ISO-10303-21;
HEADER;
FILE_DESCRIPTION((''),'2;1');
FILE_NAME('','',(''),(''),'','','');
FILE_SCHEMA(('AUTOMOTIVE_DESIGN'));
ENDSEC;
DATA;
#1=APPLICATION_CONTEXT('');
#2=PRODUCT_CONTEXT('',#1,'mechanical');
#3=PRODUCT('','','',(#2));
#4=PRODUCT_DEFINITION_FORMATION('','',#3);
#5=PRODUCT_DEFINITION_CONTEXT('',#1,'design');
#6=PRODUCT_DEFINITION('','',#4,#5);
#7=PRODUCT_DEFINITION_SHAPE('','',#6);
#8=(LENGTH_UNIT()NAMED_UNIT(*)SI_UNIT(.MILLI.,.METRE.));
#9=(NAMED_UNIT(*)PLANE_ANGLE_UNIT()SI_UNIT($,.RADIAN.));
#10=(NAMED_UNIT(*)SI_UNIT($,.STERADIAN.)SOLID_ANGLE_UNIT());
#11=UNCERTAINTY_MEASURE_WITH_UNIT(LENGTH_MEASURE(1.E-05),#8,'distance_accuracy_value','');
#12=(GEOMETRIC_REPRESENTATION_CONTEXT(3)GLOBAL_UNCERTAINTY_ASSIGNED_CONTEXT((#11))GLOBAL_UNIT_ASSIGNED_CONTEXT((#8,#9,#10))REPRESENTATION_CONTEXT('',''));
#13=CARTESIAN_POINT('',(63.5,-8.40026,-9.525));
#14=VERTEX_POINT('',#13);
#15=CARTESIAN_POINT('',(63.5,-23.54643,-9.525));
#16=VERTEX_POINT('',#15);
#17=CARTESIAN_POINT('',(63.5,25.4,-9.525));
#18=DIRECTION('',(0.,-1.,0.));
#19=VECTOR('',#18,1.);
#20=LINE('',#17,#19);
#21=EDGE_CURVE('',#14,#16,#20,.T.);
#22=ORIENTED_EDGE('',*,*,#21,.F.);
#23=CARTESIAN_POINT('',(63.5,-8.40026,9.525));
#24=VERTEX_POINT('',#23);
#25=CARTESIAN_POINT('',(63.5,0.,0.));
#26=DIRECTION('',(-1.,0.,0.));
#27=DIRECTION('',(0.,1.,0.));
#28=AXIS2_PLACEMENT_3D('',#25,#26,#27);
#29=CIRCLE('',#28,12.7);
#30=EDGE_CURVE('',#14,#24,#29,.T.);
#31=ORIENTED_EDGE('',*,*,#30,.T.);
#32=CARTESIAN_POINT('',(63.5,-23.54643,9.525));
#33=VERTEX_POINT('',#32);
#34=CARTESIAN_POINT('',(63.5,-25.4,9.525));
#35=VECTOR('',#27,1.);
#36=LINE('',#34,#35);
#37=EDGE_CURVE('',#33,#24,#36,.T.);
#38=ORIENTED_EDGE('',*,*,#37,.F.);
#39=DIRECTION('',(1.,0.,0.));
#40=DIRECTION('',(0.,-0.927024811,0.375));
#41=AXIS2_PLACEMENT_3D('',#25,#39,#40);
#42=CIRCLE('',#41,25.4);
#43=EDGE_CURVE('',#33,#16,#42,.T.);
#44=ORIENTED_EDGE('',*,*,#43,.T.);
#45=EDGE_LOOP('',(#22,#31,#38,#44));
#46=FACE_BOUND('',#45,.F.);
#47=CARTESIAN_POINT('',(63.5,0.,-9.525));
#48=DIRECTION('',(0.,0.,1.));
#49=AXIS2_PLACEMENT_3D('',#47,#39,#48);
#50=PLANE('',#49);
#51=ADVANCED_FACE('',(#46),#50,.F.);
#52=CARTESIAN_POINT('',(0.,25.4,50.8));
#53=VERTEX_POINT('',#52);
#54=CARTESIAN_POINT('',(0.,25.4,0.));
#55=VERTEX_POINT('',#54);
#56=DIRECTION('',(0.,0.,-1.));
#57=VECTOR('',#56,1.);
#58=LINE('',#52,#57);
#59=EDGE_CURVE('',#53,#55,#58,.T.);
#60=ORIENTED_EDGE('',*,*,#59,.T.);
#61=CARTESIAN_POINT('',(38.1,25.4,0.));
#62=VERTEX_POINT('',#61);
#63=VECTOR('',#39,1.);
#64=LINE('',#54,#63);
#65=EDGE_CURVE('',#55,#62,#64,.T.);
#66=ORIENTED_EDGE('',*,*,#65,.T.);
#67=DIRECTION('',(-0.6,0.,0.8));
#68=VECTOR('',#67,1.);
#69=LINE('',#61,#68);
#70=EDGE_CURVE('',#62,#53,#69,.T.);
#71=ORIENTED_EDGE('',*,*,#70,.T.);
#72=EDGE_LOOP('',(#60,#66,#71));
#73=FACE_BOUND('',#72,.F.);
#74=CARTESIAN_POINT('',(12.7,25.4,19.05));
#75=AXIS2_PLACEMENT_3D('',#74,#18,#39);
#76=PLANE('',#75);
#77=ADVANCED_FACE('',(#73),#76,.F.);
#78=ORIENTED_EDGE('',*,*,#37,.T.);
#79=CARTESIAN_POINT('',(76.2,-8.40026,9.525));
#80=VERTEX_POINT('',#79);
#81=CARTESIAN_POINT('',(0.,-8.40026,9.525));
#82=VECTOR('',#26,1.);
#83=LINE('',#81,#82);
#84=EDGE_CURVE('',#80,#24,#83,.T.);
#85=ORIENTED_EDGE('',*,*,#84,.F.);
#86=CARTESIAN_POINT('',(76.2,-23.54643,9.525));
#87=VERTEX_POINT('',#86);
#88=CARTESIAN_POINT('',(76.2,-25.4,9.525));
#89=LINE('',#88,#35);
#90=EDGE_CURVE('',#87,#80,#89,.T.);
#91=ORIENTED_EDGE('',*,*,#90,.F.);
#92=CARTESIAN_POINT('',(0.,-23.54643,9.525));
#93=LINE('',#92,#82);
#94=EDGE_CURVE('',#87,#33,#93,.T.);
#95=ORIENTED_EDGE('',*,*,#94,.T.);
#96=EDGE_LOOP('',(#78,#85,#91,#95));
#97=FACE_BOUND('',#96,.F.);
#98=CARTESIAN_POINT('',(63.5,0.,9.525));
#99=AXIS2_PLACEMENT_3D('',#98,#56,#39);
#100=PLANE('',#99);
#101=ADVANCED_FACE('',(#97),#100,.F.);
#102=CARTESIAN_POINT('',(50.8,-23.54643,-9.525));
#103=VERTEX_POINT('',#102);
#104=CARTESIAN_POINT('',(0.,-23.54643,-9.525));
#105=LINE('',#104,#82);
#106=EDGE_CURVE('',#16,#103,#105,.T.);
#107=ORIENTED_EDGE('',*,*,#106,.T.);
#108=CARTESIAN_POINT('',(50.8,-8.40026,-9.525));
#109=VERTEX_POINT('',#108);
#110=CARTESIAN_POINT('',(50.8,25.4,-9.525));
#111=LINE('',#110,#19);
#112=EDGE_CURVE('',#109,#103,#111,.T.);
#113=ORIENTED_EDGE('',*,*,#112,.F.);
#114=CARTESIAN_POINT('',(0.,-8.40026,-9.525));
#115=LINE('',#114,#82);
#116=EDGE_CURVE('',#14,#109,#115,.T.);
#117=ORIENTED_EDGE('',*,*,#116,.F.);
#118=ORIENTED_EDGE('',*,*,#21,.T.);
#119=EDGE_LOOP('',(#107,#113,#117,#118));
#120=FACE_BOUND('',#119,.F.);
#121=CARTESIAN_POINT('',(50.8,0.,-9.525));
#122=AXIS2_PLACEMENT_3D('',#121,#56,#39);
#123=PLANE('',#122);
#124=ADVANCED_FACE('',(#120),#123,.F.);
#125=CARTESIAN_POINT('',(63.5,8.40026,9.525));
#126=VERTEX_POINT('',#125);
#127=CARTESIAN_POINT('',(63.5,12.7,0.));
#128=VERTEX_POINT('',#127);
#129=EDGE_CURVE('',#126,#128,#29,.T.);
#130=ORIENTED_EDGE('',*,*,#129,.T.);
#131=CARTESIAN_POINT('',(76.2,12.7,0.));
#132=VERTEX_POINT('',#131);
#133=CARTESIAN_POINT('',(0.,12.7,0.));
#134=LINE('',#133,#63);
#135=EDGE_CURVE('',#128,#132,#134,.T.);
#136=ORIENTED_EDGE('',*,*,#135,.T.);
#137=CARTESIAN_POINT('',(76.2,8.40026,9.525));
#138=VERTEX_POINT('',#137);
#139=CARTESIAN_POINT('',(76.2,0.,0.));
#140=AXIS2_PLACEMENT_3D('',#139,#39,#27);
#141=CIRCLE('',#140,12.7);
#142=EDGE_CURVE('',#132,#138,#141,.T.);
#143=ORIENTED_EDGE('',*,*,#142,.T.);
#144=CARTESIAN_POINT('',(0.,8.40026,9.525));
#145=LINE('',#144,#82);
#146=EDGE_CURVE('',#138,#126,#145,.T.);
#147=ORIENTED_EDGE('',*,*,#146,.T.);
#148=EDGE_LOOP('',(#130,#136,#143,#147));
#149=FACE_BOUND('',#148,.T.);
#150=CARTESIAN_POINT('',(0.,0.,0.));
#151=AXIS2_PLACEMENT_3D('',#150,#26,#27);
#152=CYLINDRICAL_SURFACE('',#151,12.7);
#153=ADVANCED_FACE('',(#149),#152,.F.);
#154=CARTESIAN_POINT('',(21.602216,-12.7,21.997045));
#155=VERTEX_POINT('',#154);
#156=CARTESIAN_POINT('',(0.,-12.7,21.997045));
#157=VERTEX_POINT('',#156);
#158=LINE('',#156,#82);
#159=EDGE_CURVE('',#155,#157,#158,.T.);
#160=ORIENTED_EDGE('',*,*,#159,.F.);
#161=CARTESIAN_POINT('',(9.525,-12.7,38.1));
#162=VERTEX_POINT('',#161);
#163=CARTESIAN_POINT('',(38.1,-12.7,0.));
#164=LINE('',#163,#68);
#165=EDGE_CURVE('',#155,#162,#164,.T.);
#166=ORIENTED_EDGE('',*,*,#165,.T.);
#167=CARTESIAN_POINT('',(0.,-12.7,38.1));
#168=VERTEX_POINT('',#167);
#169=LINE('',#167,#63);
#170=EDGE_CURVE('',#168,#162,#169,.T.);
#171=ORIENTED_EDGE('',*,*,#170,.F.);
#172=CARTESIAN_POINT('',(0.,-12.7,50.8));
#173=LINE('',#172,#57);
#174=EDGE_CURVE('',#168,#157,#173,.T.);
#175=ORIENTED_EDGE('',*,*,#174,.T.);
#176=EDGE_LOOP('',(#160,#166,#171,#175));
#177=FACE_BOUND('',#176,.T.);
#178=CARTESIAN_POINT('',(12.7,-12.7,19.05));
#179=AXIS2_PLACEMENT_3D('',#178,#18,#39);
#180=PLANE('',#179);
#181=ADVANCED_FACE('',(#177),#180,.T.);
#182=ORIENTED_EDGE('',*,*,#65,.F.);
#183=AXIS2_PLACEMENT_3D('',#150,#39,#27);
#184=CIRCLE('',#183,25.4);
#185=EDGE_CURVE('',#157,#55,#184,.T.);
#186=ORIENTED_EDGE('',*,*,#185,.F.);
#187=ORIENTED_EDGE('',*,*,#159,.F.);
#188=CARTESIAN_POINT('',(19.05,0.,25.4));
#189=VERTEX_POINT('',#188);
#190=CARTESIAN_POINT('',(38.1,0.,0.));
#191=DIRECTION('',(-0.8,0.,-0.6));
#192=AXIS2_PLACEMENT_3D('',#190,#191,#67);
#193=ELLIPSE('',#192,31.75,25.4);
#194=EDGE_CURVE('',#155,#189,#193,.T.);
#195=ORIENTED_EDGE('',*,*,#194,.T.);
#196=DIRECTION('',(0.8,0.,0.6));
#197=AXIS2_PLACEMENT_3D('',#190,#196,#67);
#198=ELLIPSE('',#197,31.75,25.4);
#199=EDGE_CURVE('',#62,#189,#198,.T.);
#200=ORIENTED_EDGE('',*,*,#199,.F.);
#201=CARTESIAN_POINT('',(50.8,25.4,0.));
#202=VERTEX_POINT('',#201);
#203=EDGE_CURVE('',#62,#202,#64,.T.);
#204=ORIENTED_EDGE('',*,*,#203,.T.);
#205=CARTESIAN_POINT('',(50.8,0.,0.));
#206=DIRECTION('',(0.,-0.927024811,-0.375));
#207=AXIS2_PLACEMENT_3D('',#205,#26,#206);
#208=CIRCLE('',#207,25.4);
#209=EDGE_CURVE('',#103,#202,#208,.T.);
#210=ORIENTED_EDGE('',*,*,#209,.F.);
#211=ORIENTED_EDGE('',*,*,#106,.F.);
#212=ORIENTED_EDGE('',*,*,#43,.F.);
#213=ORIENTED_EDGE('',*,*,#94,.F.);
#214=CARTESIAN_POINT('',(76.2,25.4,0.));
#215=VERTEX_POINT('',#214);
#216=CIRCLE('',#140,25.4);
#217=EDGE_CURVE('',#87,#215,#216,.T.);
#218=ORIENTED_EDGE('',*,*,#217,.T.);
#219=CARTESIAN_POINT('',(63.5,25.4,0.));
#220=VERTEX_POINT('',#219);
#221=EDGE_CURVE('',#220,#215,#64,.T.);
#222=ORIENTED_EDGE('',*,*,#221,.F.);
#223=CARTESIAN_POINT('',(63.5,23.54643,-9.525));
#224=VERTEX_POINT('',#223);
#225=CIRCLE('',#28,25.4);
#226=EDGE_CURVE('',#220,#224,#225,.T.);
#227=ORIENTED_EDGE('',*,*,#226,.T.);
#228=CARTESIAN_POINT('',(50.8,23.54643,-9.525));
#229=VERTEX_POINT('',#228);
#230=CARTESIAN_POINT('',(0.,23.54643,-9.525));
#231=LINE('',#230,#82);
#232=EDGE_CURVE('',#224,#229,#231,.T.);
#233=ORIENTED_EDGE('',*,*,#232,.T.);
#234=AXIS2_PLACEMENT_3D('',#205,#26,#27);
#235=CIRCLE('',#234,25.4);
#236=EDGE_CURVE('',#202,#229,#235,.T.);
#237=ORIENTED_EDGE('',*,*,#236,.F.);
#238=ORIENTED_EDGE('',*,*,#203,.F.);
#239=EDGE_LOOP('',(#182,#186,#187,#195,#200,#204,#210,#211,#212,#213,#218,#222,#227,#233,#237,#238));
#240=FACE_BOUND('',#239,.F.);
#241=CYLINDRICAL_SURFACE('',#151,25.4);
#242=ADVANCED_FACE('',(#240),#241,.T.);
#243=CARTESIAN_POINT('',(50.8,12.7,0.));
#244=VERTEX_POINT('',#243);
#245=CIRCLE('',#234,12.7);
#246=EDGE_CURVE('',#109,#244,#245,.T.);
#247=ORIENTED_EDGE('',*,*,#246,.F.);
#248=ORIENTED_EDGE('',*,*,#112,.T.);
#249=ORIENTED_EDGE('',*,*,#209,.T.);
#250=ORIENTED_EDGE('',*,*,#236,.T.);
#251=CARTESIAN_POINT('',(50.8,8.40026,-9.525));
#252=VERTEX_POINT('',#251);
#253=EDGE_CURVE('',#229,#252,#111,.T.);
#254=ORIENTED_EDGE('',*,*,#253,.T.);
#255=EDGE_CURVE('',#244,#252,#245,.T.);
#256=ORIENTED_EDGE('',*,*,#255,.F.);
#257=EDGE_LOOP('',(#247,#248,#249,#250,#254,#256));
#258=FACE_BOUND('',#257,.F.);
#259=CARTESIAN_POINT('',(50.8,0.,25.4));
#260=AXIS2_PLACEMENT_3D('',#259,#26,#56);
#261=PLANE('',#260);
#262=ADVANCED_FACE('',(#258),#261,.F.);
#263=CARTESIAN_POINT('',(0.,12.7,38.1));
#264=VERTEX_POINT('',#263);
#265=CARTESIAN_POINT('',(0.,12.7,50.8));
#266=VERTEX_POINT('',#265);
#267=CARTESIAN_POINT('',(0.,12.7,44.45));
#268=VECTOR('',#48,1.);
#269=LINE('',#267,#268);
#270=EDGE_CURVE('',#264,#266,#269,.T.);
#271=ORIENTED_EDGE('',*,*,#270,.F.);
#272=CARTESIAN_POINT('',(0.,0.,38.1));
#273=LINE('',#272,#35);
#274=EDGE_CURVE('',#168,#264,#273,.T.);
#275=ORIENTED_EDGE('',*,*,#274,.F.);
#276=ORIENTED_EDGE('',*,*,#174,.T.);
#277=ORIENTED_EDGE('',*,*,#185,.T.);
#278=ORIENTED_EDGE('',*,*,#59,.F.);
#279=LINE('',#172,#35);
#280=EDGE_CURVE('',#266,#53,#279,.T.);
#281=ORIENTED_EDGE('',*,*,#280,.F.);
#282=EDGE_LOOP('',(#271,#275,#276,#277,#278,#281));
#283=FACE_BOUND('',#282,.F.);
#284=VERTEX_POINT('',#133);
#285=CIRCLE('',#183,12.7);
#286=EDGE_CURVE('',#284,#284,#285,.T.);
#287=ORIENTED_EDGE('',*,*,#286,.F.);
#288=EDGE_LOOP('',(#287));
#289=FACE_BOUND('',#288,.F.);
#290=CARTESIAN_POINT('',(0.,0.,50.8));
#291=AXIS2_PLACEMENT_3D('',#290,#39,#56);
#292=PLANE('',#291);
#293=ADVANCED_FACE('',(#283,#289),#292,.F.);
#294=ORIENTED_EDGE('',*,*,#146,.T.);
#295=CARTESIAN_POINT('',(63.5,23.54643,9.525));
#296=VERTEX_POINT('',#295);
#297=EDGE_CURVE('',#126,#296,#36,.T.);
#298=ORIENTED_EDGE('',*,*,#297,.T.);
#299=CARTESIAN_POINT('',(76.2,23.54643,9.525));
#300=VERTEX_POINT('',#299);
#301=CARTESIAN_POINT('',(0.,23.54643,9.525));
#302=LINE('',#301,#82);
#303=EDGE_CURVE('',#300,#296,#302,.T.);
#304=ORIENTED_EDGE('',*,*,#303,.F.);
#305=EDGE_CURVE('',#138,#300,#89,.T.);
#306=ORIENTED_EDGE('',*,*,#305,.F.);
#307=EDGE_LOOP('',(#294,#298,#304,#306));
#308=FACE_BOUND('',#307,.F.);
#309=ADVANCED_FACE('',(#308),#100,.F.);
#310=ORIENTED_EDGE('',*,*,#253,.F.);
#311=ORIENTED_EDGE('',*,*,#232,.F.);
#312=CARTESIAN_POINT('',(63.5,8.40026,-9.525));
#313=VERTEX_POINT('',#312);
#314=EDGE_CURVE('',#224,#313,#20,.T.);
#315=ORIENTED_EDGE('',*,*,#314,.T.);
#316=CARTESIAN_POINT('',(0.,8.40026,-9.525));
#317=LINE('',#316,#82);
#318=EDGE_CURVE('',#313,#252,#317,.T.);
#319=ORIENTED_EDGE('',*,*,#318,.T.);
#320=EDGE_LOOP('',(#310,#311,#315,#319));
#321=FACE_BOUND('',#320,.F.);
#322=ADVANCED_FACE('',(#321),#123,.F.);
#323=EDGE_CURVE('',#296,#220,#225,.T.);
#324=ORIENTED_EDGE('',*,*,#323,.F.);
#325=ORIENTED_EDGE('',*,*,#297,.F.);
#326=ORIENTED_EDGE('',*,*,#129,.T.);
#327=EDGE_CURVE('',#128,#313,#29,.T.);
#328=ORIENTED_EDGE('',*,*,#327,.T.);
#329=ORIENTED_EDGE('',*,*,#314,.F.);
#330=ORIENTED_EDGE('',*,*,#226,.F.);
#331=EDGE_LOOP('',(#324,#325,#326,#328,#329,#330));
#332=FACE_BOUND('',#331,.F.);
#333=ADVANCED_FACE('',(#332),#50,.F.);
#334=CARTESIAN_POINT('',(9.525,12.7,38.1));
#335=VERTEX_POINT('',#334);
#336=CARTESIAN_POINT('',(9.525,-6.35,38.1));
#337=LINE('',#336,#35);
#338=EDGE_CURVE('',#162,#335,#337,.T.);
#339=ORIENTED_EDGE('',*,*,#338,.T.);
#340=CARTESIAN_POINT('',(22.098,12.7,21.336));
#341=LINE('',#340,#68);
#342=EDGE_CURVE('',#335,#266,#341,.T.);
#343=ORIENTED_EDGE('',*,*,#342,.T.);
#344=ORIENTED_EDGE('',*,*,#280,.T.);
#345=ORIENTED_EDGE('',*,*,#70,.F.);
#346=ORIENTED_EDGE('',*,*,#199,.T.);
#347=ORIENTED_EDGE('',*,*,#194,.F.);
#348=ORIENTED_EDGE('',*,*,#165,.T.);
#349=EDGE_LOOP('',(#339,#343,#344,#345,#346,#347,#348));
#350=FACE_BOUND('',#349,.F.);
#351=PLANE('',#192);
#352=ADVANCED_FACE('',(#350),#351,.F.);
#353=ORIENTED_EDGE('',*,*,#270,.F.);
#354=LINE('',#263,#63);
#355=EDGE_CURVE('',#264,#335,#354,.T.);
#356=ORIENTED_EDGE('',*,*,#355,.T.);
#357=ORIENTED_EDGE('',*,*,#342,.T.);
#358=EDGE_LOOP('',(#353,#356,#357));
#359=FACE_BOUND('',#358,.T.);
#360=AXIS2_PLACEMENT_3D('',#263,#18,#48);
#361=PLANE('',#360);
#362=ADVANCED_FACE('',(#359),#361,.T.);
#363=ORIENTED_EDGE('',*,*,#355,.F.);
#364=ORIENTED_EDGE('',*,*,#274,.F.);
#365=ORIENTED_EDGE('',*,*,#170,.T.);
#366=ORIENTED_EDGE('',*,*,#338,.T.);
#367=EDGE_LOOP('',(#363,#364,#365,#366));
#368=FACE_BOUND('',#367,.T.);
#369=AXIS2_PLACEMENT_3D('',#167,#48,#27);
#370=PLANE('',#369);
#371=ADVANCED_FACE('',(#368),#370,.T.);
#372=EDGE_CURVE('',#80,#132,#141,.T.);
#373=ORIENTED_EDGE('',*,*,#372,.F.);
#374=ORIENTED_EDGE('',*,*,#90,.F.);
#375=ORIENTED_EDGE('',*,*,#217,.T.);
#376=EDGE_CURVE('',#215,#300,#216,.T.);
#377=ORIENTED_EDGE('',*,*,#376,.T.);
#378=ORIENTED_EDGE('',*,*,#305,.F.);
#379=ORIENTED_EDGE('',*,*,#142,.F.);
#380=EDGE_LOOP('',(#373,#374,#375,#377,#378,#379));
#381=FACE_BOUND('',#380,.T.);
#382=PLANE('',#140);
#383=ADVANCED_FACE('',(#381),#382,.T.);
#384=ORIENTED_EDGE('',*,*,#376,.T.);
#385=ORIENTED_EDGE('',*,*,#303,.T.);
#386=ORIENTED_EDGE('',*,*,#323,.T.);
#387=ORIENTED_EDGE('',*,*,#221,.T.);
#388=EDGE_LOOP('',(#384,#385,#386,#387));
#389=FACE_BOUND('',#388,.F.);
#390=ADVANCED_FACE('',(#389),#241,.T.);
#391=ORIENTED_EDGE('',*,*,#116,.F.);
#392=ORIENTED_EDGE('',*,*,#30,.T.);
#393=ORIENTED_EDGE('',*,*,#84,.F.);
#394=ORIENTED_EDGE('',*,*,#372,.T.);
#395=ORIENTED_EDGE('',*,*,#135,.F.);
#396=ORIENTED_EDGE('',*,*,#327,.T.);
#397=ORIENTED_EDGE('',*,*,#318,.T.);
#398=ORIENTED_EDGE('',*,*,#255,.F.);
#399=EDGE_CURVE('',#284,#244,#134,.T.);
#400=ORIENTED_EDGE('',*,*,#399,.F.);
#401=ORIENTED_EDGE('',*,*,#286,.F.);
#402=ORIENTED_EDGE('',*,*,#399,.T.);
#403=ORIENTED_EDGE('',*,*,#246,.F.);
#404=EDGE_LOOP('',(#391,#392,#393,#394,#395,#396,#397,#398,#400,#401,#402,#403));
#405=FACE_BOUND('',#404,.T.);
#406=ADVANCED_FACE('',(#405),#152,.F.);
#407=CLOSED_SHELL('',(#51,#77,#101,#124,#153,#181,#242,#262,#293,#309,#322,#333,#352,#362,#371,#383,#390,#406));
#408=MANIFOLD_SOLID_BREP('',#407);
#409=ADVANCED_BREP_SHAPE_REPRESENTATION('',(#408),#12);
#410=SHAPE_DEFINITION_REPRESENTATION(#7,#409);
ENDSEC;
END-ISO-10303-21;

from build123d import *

# Parameters (mm, degrees)
F0_R      = 25.4
F0_R_2    = 12.7
F1_DEPTH  = 76.2
F3_DEPTH  = 76.2
F5_DEPTH  = 25.4
F6_DEPTH  = 25.4
F7_DEPTH  = 12.7
F8_W      = 25.4
F8_H      = 12.7
F9_DEPTH  = 25.4
F10_DEPTH = 50.8


with BuildPart() as f1:
    # F0 (on Right) → F1 (new body)
    with BuildSketch(Plane.YZ):
        Circle(F0_R)
        Circle(F0_R_2, mode=Mode.SUBTRACT)
    extrude(amount=F1_DEPTH)

    # F0 (on Right) → F3 (cut)
    with BuildSketch(Plane.YZ):
        Circle(F0_R_2)
    extrude(amount=F3_DEPTH, mode=Mode.SUBTRACT)

    # F2 (on Front) → F5 (cut, symmetric)
    with BuildSketch(Plane.XZ):
        Polygon((76.2, 25.4), (50.8, 25.4), (50.8, -9.525), (63.5, -9.525), (63.5, 9.525), (76.2, 9.525), align=None)
    extrude(amount=F5_DEPTH, both=True, mode=Mode.SUBTRACT)

    # F4 (on Front) → F6 (join)
    with BuildSketch(Plane.XZ):
        Polygon((0, 50.8), (0, 0), (38.1, 0), align=None)
    extrude(amount=-F6_DEPTH)

    # F4 (on Front) → F7 (join)
    with BuildSketch(Plane.XZ):
        Polygon((0, 50.8), (0, 0), (38.1, 0), align=None)
    extrude(amount=F7_DEPTH)

    # F8 (on Right) → F9 (cut)
    with BuildSketch(Plane.YZ):
        with Locations((0, 44.45)):
            Rectangle(F8_W, F8_H)
    extrude(amount=F9_DEPTH, mode=Mode.SUBTRACT)

    # F0 (on Right) → F10 (cut)
    with BuildSketch(Plane.YZ):
        Circle(F0_R_2)
    extrude(amount=F10_DEPTH, mode=Mode.SUBTRACT)


solid = f1.part
